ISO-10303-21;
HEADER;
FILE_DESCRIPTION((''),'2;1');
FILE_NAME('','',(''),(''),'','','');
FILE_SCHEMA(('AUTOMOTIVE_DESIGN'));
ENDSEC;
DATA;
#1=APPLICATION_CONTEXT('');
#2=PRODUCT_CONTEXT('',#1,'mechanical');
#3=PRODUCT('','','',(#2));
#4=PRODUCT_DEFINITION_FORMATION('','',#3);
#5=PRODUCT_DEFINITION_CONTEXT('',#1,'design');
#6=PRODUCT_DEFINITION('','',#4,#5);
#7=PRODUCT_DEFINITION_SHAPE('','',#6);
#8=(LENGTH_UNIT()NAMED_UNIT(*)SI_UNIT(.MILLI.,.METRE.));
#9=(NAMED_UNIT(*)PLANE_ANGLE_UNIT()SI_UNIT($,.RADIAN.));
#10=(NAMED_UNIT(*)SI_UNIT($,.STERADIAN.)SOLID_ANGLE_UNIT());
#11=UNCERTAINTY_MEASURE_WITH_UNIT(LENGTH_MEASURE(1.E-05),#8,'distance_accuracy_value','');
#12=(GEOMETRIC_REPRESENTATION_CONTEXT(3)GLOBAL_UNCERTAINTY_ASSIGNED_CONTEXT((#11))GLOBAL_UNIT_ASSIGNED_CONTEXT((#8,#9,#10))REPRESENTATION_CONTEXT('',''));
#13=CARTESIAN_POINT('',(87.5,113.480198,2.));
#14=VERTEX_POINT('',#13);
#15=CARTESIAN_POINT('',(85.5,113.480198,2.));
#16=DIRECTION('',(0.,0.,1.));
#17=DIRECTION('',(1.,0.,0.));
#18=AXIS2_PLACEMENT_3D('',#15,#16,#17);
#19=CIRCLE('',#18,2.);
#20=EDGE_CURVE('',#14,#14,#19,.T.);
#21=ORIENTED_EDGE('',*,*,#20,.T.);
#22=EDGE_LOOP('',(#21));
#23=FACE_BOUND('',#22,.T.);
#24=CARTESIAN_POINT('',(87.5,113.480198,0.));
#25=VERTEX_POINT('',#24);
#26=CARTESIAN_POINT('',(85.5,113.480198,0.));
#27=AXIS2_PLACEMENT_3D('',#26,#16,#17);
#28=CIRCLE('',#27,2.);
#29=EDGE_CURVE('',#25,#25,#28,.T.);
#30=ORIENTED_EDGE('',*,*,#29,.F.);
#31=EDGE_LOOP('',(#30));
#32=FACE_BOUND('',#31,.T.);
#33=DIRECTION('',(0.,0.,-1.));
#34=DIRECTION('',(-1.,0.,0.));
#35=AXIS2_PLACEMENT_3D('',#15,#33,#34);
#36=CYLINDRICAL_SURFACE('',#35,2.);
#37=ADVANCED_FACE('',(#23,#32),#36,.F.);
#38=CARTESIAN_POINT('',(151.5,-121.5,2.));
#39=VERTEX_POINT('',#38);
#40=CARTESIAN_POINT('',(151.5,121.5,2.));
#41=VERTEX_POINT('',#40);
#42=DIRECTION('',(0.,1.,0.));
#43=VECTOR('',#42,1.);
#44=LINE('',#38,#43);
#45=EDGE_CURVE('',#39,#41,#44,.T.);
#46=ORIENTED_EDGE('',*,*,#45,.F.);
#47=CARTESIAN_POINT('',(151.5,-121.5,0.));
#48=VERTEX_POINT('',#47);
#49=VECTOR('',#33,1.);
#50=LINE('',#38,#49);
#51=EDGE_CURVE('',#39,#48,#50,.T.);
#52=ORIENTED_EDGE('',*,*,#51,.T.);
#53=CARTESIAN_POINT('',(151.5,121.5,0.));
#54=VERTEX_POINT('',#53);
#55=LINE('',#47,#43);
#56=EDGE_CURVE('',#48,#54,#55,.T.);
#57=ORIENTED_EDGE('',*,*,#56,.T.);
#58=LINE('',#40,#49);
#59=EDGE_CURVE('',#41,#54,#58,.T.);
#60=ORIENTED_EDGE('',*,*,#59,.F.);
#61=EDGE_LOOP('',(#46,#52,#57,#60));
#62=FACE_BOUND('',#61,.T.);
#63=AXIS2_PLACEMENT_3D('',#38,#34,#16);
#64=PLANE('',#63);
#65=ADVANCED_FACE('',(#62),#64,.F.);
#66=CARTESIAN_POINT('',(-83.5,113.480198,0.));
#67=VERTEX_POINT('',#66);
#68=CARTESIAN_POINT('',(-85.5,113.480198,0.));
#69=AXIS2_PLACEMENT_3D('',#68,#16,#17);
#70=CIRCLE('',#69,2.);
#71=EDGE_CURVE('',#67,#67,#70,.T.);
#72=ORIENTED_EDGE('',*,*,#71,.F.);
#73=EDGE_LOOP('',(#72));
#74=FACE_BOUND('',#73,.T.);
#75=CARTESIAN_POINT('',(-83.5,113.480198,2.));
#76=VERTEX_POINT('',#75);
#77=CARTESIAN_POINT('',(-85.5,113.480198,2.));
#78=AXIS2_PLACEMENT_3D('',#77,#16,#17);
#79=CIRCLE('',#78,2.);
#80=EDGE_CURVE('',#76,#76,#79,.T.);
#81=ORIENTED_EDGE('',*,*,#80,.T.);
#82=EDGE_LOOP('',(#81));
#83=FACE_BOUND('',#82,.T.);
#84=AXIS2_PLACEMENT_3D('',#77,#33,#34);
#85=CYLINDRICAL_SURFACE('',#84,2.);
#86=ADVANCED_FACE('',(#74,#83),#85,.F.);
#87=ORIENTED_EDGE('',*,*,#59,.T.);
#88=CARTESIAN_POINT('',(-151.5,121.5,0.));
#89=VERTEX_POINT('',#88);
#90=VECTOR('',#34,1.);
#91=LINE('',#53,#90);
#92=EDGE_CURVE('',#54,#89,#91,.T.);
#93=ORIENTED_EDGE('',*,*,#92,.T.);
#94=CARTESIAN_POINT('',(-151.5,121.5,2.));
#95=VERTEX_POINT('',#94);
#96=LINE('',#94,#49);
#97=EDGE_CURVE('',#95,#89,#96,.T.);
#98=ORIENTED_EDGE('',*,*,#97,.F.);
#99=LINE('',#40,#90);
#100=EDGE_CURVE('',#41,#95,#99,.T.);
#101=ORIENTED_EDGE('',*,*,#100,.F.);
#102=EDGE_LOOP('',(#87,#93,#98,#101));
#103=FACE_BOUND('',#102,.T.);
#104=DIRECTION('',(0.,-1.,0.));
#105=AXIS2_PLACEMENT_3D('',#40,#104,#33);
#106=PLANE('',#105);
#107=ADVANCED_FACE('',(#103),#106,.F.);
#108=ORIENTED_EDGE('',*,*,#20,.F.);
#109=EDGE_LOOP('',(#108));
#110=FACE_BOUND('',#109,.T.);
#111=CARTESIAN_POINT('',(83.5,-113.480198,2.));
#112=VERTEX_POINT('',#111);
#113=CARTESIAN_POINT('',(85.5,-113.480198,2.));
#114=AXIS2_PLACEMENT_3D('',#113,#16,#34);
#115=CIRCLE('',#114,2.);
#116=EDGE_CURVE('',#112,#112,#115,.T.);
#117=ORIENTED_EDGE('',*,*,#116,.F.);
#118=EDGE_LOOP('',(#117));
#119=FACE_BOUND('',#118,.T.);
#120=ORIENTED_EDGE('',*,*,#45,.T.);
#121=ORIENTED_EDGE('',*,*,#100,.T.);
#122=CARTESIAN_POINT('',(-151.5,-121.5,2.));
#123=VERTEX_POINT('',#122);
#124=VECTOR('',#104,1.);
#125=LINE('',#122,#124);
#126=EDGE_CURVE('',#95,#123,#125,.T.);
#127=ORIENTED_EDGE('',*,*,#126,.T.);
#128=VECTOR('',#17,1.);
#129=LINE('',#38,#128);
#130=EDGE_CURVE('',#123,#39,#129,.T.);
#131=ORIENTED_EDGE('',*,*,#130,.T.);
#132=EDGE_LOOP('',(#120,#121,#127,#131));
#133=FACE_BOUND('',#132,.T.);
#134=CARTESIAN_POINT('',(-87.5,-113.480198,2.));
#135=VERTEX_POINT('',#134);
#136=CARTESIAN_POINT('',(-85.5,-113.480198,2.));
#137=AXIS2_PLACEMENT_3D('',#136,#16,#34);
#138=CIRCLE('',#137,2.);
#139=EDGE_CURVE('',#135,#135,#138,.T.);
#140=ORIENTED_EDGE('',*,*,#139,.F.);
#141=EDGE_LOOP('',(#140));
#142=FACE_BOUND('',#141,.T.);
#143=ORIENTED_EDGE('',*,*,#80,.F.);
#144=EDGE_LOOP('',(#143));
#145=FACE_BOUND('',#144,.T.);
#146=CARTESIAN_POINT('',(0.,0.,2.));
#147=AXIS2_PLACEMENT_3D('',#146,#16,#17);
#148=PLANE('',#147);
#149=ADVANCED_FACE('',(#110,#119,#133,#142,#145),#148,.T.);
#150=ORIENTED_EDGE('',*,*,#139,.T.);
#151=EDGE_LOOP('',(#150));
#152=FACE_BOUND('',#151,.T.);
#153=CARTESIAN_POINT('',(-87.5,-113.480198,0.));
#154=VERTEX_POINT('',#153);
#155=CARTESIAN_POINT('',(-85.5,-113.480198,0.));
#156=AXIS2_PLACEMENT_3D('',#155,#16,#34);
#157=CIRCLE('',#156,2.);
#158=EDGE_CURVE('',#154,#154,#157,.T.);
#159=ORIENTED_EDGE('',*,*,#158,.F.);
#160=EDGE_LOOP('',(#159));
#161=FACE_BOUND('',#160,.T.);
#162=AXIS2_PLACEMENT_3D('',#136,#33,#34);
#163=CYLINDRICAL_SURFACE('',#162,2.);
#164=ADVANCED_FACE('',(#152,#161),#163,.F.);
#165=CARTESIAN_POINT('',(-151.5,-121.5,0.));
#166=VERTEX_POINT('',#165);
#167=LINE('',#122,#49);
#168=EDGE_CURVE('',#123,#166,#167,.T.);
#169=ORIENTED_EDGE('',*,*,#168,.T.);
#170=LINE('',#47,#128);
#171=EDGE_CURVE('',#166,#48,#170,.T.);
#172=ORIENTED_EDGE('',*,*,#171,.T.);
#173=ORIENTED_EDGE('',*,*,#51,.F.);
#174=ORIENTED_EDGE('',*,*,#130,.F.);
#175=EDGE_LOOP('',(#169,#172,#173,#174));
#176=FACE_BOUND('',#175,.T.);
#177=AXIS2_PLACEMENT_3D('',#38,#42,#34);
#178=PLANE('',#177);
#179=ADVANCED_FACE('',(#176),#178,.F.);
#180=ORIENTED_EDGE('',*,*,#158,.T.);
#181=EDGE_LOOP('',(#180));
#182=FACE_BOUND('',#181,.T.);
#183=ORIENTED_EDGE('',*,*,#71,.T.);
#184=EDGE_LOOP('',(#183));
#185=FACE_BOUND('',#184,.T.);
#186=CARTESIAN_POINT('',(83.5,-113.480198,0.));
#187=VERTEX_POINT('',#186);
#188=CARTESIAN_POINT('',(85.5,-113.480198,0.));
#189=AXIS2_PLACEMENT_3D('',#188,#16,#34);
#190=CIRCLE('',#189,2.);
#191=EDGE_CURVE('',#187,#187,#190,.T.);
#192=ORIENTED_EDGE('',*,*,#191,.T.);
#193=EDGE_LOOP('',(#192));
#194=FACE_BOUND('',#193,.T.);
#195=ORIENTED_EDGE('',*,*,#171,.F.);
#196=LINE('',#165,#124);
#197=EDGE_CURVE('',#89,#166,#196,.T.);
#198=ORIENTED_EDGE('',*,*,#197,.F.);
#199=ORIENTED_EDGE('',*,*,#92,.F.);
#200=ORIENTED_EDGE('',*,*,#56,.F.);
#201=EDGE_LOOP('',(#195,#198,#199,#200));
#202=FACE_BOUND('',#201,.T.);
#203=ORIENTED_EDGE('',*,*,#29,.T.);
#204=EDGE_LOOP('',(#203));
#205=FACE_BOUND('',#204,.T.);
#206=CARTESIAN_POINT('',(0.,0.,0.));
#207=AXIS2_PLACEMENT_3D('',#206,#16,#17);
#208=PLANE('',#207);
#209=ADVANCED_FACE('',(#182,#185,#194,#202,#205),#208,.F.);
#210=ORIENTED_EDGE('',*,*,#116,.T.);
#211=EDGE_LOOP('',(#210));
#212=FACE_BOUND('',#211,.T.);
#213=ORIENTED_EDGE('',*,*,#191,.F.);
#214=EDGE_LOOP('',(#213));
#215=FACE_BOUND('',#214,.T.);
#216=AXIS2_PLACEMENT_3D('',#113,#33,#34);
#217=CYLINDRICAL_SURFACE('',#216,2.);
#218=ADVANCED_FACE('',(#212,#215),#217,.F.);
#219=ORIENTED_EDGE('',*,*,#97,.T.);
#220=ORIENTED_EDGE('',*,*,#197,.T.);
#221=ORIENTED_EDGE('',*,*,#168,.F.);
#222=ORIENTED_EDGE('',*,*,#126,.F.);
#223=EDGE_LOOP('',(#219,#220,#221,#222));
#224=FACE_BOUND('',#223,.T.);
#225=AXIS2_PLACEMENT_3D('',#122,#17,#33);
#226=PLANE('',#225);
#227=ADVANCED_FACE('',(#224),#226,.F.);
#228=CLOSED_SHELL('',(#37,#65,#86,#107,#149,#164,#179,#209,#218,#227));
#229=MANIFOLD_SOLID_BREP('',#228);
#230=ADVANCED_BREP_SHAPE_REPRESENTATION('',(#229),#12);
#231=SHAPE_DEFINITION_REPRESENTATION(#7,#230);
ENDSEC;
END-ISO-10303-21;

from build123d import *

# Parameters (mm, degrees)
SKETCH1_W           = 303
SKETCH1_H           = 243
SKETCH1_R           = 2
BOSS_EXTRUDE1_DEPTH = 2


with BuildPart() as part:
    # Sketch1 → Boss-Extrude1 (new body)
    with BuildSketch(Plane.XY):
        Rectangle(SKETCH1_W, SKETCH1_H)
        with Locations((-85.5, 113.48019802)):
            Circle(SKETCH1_R, mode=Mode.SUBTRACT)
        with Locations((85.5, 113.48019802)):
            Circle(SKETCH1_R, mode=Mode.SUBTRACT)
        with Locations((85.5, -113.48019802)):
            Circle(SKETCH1_R, mode=Mode.SUBTRACT)
        with Locations((-85.5, -113.48019802)):
            Circle(SKETCH1_R, mode=Mode.SUBTRACT)
    extrude(amount=BOSS_EXTRUDE1_DEPTH)


solid = part.part
